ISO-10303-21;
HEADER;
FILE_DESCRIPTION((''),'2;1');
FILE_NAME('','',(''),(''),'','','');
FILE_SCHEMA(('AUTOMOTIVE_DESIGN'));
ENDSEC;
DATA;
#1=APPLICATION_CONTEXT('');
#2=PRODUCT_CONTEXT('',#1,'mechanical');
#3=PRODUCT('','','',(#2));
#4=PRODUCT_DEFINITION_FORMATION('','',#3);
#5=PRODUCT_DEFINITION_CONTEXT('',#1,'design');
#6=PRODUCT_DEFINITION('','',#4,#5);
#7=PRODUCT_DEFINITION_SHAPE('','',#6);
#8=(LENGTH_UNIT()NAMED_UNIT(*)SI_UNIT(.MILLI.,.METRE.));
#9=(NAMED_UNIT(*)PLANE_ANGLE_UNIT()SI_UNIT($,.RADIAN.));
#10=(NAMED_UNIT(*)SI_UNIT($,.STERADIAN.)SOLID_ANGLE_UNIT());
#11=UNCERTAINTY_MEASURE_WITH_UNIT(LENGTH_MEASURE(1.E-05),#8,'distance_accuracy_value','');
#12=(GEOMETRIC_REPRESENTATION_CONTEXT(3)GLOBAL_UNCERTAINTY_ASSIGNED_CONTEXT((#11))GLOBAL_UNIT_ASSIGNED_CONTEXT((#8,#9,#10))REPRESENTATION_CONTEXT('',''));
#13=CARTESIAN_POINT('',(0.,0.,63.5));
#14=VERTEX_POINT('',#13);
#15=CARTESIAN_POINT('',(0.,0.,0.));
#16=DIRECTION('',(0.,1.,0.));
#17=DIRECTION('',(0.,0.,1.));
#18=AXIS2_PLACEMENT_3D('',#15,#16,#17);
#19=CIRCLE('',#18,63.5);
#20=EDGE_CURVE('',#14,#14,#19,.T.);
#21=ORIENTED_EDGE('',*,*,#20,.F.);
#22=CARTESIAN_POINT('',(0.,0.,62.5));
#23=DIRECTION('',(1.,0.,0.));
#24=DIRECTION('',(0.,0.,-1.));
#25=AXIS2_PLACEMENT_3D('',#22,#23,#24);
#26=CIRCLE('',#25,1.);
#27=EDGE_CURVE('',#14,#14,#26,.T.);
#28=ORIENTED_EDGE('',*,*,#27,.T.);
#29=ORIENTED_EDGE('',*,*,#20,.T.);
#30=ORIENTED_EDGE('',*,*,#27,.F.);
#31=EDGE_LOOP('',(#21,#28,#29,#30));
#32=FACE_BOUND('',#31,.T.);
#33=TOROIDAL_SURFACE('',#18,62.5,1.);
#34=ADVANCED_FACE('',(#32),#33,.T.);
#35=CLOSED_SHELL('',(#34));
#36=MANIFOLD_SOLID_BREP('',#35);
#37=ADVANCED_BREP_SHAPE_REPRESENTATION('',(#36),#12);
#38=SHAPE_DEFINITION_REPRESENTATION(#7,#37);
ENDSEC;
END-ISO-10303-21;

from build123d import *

# Parameters (mm, degrees)
WYCI_GNI_CIE_PO_CIE_CE1_PROFILE_R = 1


with BuildPart() as part:
    # Wyciągnięcie po ścieżce1: sweep along a path in Szkic1
    with BuildLine(Plane(origin=(0, 0, 0), x_dir=(1, 0, 0), z_dir=(0, 1, 0))) as wyci_gni_cie_po_cie_ce1_path:
        CenterArc((0, 0), 62.5, 0, 360)
    # Wyciągnięcie po ścieżce1 profile (on start of the path) → Wyciągnięcie po ścieżce1 (sweep)
    with BuildSketch(Plane(origin=(62.5, 0, 0), x_dir=(-1, 0, 0), z_dir=(0, 0, -1))):
        Circle(WYCI_GNI_CIE_PO_CIE_CE1_PROFILE_R)
    sweep(path=wyci_gni_cie_po_cie_ce1_path.line)


solid = part.part
